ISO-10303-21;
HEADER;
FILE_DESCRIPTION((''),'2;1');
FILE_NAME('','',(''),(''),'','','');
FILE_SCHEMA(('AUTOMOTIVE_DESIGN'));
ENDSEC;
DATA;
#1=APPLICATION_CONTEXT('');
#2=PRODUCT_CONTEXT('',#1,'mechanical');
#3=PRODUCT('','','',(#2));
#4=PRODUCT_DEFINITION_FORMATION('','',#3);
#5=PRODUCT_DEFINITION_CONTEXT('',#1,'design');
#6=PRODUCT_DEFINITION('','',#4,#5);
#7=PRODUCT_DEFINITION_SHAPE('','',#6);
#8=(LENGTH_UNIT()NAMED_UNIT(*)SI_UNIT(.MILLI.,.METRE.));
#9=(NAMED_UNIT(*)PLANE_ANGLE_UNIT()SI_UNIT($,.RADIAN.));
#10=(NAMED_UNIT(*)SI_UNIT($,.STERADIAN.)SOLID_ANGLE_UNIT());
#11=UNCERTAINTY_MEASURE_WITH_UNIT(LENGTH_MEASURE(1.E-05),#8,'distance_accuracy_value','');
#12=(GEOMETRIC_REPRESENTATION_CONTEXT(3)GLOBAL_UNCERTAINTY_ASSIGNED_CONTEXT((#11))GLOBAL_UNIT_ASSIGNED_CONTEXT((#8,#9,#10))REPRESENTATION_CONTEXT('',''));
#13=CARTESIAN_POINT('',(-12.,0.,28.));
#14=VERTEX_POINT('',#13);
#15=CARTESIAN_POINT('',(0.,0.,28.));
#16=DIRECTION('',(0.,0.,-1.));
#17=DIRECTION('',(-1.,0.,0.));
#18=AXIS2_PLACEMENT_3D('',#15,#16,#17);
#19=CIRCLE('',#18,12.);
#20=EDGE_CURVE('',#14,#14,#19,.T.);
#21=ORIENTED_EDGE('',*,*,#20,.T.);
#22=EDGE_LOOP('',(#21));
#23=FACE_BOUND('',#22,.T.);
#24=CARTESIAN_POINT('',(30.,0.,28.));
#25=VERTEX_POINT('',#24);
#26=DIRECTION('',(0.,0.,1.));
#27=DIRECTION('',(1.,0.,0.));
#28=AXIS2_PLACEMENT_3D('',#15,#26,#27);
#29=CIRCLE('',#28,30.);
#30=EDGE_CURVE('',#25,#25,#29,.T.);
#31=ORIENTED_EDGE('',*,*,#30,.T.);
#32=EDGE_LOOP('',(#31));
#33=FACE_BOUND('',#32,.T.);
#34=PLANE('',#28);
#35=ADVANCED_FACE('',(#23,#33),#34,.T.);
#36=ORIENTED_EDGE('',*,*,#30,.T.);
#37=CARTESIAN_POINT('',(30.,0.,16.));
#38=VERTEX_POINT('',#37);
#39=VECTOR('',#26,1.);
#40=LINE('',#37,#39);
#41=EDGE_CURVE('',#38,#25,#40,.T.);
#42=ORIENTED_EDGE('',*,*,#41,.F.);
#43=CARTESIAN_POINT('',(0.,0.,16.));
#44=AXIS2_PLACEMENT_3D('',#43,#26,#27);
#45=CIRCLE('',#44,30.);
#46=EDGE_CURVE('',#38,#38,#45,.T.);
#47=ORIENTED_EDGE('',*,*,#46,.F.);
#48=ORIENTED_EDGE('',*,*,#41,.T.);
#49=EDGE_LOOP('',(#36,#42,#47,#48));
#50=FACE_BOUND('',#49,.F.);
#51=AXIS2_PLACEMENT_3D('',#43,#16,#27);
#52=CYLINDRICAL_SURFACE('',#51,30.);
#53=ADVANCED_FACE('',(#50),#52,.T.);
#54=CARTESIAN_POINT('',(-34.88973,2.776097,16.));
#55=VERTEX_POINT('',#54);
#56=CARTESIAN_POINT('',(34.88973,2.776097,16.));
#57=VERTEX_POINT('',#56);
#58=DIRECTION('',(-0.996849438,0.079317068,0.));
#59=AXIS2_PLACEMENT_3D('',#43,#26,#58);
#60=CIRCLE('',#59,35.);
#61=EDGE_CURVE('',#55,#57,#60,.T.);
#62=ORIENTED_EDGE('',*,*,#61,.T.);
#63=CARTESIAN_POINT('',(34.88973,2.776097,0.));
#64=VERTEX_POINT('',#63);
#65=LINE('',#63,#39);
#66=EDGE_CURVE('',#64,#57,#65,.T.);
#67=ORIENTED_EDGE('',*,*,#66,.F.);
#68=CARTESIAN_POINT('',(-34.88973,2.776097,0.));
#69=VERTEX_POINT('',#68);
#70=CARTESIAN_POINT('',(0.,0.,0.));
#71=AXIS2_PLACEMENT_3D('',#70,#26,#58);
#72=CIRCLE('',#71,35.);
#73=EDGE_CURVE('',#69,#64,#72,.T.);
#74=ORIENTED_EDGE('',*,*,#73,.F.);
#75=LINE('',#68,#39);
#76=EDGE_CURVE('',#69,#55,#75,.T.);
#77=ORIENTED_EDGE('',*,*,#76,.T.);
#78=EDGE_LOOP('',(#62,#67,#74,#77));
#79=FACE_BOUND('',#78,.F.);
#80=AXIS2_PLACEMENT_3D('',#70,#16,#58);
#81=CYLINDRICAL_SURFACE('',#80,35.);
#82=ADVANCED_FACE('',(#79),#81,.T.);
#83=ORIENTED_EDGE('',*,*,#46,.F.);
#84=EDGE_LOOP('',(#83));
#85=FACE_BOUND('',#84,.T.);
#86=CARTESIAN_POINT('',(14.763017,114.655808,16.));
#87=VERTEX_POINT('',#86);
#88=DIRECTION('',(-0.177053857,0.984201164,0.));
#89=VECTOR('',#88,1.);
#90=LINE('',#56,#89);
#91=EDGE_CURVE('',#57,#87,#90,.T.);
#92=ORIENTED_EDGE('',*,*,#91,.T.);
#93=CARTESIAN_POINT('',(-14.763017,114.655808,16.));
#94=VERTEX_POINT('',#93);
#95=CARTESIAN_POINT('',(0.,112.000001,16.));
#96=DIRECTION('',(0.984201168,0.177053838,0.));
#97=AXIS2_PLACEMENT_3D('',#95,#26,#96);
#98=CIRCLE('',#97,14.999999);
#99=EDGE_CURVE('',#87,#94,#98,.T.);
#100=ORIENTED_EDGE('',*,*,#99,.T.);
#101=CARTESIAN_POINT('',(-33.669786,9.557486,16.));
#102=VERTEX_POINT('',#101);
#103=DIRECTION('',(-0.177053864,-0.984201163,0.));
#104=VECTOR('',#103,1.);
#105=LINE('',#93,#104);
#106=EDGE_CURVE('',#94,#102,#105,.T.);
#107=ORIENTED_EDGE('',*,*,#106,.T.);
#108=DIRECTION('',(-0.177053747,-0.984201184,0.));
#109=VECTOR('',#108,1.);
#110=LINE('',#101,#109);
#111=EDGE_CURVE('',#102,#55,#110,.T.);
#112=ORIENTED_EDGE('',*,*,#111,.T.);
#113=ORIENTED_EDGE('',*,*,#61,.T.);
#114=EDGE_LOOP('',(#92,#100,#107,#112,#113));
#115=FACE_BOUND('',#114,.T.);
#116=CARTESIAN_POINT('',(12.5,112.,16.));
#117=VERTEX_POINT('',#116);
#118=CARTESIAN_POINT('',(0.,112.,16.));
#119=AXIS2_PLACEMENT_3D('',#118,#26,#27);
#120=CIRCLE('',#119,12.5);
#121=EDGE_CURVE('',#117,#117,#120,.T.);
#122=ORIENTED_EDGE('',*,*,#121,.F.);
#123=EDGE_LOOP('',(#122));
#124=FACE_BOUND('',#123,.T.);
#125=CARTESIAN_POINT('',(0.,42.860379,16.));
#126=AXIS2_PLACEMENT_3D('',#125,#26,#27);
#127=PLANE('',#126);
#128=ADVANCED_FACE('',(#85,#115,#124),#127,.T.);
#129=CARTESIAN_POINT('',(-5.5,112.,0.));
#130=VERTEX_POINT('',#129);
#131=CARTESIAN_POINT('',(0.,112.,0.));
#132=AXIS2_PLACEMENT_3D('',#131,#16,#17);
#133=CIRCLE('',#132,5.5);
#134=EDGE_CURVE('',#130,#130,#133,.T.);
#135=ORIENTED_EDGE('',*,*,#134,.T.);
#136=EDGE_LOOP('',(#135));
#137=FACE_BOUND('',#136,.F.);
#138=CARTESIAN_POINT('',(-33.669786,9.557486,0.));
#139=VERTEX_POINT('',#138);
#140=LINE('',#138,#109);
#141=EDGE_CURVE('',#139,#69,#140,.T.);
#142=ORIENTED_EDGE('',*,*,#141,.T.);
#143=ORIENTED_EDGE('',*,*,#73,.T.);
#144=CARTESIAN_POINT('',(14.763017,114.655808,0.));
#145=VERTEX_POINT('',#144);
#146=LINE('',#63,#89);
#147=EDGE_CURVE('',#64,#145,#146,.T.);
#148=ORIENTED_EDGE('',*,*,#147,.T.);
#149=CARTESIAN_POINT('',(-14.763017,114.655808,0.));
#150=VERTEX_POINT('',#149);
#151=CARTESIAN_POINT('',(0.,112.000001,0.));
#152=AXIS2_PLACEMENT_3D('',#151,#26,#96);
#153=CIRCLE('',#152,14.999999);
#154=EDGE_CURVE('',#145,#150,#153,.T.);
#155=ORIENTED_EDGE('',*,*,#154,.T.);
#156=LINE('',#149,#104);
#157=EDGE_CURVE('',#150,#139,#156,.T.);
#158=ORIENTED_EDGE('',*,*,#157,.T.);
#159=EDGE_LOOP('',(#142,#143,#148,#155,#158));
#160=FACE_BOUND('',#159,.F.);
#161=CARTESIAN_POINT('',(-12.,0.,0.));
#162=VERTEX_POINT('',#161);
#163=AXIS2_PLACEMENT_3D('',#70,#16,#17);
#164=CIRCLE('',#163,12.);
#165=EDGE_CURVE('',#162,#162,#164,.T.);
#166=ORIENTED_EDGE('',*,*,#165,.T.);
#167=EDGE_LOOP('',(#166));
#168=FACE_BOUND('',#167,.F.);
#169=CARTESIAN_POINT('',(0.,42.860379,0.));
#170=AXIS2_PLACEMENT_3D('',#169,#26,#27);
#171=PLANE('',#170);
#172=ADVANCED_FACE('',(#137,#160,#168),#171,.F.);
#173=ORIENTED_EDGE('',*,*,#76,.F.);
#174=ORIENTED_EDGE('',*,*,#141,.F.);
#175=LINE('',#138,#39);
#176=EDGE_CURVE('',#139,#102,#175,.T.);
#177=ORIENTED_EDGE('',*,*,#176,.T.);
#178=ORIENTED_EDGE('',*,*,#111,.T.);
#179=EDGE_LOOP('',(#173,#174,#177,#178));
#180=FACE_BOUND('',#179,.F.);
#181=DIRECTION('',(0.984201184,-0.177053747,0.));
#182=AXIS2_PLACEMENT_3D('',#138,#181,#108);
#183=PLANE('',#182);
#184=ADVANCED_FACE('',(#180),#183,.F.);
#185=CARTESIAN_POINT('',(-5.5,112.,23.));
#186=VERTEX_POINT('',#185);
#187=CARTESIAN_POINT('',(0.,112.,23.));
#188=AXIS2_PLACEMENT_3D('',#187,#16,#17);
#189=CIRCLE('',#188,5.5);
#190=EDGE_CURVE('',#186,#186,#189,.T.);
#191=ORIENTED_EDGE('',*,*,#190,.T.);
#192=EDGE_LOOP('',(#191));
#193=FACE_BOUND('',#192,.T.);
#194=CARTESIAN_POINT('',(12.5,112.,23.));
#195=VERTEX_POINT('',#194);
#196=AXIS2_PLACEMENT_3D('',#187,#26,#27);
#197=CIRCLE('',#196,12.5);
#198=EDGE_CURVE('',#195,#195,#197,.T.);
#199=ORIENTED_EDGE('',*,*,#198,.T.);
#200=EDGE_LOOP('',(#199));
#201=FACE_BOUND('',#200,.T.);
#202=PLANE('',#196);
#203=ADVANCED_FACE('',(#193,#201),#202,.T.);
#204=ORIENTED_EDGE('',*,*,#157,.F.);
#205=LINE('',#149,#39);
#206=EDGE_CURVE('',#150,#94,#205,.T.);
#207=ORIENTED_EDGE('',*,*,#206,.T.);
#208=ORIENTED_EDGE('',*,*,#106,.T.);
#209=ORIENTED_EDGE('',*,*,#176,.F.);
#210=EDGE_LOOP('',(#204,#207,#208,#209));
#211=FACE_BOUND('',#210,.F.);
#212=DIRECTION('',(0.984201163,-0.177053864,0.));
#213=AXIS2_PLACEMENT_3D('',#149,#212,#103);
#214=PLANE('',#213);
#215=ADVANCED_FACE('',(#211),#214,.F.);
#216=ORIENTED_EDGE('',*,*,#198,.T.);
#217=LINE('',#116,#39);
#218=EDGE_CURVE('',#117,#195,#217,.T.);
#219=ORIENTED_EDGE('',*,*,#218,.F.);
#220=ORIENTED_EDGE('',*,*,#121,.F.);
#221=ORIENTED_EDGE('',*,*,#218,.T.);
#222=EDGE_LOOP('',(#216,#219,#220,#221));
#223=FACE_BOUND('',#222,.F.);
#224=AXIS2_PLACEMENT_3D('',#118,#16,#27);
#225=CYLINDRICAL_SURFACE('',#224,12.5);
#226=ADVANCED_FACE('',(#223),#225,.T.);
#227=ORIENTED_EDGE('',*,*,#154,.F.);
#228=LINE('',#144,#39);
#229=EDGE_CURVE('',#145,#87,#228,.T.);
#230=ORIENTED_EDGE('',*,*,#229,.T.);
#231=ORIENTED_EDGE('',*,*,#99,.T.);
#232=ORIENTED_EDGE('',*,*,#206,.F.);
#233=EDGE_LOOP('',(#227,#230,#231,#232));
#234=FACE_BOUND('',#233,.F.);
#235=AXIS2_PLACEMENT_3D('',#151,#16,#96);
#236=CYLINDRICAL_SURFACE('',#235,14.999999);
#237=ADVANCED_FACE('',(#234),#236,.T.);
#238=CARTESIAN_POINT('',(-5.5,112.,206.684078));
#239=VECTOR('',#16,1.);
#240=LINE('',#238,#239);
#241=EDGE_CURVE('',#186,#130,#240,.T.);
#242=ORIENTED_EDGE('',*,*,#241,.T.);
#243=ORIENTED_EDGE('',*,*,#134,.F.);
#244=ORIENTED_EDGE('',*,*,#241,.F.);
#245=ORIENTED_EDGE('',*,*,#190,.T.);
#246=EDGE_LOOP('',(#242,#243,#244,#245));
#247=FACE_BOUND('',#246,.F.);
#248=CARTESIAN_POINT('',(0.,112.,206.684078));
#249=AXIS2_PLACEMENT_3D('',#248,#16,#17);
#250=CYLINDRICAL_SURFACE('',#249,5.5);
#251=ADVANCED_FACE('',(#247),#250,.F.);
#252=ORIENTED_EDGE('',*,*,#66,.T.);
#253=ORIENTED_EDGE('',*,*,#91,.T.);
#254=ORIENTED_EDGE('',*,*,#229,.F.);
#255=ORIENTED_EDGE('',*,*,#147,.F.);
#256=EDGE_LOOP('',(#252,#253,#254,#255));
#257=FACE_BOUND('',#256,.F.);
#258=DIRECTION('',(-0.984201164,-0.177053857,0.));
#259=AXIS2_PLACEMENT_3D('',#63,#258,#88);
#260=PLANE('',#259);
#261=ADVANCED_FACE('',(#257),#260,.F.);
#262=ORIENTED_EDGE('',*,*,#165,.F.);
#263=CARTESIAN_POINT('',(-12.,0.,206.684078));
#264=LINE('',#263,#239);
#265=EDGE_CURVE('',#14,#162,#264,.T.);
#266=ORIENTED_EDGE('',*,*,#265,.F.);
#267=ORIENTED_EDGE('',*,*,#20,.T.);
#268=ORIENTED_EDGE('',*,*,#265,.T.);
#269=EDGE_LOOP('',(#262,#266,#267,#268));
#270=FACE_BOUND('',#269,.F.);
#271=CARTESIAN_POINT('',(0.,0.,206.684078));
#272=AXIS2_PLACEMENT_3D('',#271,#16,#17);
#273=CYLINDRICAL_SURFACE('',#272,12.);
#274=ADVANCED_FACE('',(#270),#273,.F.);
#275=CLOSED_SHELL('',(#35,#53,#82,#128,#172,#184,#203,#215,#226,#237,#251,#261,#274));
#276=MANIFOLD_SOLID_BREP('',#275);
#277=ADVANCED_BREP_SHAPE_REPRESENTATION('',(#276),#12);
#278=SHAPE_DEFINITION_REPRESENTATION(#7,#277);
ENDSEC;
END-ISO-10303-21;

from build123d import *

# Parameters (mm, degrees)
F1_DEPTH = 16
F2_R     = 12.5
F2_R_2   = 30
F3_DEPTH = 12
F5_D     = 24
F7_D     = 11
F8_R     = 12.5
F9_DEPTH = 5


with BuildPart() as f1:
    # F0 (on Top) → F1 (new body)
    with BuildSketch(Plane.XY):
        with BuildLine():
            Line((-14.763017, 114.655808), (-33.669786, 9.557486))
            Line((-33.669786, 9.557486), (-34.88973, 2.776097))
            ThreePointArc((-34.88973, 2.776097), (0, -35), (34.88973, 2.776097))
            Line((34.88973, 2.776097), (14.763017, 114.655808))
            ThreePointArc((14.763017, 114.655808), (0, 127), (-14.763017, 114.655808))
        make_face()
    extrude(amount=F1_DEPTH)

    # F2 (on face) → F3 (join)
    with BuildSketch(Plane.XY.offset(16)):
        with Locations((0, 112)):
            Circle(F2_R)
        Circle(F2_R_2)
    extrude(amount=F3_DEPTH)

    # F5 (through all)
    with Locations(Plane.XY.offset(28)):
        with Locations((0, 0)):
            Hole(F5_D / 2)

    # F7 (through all)
    with Locations(Plane.XY.offset(28)):
        with Locations((0, 112)):
            Hole(F7_D / 2)

    # F8 (on face) → F9 (cut)
    with BuildSketch(Plane.XY.offset(28)):
        with Locations((0, 112)):
            Circle(F8_R)
    extrude(amount=-F9_DEPTH, mode=Mode.SUBTRACT)


solid = f1.part
